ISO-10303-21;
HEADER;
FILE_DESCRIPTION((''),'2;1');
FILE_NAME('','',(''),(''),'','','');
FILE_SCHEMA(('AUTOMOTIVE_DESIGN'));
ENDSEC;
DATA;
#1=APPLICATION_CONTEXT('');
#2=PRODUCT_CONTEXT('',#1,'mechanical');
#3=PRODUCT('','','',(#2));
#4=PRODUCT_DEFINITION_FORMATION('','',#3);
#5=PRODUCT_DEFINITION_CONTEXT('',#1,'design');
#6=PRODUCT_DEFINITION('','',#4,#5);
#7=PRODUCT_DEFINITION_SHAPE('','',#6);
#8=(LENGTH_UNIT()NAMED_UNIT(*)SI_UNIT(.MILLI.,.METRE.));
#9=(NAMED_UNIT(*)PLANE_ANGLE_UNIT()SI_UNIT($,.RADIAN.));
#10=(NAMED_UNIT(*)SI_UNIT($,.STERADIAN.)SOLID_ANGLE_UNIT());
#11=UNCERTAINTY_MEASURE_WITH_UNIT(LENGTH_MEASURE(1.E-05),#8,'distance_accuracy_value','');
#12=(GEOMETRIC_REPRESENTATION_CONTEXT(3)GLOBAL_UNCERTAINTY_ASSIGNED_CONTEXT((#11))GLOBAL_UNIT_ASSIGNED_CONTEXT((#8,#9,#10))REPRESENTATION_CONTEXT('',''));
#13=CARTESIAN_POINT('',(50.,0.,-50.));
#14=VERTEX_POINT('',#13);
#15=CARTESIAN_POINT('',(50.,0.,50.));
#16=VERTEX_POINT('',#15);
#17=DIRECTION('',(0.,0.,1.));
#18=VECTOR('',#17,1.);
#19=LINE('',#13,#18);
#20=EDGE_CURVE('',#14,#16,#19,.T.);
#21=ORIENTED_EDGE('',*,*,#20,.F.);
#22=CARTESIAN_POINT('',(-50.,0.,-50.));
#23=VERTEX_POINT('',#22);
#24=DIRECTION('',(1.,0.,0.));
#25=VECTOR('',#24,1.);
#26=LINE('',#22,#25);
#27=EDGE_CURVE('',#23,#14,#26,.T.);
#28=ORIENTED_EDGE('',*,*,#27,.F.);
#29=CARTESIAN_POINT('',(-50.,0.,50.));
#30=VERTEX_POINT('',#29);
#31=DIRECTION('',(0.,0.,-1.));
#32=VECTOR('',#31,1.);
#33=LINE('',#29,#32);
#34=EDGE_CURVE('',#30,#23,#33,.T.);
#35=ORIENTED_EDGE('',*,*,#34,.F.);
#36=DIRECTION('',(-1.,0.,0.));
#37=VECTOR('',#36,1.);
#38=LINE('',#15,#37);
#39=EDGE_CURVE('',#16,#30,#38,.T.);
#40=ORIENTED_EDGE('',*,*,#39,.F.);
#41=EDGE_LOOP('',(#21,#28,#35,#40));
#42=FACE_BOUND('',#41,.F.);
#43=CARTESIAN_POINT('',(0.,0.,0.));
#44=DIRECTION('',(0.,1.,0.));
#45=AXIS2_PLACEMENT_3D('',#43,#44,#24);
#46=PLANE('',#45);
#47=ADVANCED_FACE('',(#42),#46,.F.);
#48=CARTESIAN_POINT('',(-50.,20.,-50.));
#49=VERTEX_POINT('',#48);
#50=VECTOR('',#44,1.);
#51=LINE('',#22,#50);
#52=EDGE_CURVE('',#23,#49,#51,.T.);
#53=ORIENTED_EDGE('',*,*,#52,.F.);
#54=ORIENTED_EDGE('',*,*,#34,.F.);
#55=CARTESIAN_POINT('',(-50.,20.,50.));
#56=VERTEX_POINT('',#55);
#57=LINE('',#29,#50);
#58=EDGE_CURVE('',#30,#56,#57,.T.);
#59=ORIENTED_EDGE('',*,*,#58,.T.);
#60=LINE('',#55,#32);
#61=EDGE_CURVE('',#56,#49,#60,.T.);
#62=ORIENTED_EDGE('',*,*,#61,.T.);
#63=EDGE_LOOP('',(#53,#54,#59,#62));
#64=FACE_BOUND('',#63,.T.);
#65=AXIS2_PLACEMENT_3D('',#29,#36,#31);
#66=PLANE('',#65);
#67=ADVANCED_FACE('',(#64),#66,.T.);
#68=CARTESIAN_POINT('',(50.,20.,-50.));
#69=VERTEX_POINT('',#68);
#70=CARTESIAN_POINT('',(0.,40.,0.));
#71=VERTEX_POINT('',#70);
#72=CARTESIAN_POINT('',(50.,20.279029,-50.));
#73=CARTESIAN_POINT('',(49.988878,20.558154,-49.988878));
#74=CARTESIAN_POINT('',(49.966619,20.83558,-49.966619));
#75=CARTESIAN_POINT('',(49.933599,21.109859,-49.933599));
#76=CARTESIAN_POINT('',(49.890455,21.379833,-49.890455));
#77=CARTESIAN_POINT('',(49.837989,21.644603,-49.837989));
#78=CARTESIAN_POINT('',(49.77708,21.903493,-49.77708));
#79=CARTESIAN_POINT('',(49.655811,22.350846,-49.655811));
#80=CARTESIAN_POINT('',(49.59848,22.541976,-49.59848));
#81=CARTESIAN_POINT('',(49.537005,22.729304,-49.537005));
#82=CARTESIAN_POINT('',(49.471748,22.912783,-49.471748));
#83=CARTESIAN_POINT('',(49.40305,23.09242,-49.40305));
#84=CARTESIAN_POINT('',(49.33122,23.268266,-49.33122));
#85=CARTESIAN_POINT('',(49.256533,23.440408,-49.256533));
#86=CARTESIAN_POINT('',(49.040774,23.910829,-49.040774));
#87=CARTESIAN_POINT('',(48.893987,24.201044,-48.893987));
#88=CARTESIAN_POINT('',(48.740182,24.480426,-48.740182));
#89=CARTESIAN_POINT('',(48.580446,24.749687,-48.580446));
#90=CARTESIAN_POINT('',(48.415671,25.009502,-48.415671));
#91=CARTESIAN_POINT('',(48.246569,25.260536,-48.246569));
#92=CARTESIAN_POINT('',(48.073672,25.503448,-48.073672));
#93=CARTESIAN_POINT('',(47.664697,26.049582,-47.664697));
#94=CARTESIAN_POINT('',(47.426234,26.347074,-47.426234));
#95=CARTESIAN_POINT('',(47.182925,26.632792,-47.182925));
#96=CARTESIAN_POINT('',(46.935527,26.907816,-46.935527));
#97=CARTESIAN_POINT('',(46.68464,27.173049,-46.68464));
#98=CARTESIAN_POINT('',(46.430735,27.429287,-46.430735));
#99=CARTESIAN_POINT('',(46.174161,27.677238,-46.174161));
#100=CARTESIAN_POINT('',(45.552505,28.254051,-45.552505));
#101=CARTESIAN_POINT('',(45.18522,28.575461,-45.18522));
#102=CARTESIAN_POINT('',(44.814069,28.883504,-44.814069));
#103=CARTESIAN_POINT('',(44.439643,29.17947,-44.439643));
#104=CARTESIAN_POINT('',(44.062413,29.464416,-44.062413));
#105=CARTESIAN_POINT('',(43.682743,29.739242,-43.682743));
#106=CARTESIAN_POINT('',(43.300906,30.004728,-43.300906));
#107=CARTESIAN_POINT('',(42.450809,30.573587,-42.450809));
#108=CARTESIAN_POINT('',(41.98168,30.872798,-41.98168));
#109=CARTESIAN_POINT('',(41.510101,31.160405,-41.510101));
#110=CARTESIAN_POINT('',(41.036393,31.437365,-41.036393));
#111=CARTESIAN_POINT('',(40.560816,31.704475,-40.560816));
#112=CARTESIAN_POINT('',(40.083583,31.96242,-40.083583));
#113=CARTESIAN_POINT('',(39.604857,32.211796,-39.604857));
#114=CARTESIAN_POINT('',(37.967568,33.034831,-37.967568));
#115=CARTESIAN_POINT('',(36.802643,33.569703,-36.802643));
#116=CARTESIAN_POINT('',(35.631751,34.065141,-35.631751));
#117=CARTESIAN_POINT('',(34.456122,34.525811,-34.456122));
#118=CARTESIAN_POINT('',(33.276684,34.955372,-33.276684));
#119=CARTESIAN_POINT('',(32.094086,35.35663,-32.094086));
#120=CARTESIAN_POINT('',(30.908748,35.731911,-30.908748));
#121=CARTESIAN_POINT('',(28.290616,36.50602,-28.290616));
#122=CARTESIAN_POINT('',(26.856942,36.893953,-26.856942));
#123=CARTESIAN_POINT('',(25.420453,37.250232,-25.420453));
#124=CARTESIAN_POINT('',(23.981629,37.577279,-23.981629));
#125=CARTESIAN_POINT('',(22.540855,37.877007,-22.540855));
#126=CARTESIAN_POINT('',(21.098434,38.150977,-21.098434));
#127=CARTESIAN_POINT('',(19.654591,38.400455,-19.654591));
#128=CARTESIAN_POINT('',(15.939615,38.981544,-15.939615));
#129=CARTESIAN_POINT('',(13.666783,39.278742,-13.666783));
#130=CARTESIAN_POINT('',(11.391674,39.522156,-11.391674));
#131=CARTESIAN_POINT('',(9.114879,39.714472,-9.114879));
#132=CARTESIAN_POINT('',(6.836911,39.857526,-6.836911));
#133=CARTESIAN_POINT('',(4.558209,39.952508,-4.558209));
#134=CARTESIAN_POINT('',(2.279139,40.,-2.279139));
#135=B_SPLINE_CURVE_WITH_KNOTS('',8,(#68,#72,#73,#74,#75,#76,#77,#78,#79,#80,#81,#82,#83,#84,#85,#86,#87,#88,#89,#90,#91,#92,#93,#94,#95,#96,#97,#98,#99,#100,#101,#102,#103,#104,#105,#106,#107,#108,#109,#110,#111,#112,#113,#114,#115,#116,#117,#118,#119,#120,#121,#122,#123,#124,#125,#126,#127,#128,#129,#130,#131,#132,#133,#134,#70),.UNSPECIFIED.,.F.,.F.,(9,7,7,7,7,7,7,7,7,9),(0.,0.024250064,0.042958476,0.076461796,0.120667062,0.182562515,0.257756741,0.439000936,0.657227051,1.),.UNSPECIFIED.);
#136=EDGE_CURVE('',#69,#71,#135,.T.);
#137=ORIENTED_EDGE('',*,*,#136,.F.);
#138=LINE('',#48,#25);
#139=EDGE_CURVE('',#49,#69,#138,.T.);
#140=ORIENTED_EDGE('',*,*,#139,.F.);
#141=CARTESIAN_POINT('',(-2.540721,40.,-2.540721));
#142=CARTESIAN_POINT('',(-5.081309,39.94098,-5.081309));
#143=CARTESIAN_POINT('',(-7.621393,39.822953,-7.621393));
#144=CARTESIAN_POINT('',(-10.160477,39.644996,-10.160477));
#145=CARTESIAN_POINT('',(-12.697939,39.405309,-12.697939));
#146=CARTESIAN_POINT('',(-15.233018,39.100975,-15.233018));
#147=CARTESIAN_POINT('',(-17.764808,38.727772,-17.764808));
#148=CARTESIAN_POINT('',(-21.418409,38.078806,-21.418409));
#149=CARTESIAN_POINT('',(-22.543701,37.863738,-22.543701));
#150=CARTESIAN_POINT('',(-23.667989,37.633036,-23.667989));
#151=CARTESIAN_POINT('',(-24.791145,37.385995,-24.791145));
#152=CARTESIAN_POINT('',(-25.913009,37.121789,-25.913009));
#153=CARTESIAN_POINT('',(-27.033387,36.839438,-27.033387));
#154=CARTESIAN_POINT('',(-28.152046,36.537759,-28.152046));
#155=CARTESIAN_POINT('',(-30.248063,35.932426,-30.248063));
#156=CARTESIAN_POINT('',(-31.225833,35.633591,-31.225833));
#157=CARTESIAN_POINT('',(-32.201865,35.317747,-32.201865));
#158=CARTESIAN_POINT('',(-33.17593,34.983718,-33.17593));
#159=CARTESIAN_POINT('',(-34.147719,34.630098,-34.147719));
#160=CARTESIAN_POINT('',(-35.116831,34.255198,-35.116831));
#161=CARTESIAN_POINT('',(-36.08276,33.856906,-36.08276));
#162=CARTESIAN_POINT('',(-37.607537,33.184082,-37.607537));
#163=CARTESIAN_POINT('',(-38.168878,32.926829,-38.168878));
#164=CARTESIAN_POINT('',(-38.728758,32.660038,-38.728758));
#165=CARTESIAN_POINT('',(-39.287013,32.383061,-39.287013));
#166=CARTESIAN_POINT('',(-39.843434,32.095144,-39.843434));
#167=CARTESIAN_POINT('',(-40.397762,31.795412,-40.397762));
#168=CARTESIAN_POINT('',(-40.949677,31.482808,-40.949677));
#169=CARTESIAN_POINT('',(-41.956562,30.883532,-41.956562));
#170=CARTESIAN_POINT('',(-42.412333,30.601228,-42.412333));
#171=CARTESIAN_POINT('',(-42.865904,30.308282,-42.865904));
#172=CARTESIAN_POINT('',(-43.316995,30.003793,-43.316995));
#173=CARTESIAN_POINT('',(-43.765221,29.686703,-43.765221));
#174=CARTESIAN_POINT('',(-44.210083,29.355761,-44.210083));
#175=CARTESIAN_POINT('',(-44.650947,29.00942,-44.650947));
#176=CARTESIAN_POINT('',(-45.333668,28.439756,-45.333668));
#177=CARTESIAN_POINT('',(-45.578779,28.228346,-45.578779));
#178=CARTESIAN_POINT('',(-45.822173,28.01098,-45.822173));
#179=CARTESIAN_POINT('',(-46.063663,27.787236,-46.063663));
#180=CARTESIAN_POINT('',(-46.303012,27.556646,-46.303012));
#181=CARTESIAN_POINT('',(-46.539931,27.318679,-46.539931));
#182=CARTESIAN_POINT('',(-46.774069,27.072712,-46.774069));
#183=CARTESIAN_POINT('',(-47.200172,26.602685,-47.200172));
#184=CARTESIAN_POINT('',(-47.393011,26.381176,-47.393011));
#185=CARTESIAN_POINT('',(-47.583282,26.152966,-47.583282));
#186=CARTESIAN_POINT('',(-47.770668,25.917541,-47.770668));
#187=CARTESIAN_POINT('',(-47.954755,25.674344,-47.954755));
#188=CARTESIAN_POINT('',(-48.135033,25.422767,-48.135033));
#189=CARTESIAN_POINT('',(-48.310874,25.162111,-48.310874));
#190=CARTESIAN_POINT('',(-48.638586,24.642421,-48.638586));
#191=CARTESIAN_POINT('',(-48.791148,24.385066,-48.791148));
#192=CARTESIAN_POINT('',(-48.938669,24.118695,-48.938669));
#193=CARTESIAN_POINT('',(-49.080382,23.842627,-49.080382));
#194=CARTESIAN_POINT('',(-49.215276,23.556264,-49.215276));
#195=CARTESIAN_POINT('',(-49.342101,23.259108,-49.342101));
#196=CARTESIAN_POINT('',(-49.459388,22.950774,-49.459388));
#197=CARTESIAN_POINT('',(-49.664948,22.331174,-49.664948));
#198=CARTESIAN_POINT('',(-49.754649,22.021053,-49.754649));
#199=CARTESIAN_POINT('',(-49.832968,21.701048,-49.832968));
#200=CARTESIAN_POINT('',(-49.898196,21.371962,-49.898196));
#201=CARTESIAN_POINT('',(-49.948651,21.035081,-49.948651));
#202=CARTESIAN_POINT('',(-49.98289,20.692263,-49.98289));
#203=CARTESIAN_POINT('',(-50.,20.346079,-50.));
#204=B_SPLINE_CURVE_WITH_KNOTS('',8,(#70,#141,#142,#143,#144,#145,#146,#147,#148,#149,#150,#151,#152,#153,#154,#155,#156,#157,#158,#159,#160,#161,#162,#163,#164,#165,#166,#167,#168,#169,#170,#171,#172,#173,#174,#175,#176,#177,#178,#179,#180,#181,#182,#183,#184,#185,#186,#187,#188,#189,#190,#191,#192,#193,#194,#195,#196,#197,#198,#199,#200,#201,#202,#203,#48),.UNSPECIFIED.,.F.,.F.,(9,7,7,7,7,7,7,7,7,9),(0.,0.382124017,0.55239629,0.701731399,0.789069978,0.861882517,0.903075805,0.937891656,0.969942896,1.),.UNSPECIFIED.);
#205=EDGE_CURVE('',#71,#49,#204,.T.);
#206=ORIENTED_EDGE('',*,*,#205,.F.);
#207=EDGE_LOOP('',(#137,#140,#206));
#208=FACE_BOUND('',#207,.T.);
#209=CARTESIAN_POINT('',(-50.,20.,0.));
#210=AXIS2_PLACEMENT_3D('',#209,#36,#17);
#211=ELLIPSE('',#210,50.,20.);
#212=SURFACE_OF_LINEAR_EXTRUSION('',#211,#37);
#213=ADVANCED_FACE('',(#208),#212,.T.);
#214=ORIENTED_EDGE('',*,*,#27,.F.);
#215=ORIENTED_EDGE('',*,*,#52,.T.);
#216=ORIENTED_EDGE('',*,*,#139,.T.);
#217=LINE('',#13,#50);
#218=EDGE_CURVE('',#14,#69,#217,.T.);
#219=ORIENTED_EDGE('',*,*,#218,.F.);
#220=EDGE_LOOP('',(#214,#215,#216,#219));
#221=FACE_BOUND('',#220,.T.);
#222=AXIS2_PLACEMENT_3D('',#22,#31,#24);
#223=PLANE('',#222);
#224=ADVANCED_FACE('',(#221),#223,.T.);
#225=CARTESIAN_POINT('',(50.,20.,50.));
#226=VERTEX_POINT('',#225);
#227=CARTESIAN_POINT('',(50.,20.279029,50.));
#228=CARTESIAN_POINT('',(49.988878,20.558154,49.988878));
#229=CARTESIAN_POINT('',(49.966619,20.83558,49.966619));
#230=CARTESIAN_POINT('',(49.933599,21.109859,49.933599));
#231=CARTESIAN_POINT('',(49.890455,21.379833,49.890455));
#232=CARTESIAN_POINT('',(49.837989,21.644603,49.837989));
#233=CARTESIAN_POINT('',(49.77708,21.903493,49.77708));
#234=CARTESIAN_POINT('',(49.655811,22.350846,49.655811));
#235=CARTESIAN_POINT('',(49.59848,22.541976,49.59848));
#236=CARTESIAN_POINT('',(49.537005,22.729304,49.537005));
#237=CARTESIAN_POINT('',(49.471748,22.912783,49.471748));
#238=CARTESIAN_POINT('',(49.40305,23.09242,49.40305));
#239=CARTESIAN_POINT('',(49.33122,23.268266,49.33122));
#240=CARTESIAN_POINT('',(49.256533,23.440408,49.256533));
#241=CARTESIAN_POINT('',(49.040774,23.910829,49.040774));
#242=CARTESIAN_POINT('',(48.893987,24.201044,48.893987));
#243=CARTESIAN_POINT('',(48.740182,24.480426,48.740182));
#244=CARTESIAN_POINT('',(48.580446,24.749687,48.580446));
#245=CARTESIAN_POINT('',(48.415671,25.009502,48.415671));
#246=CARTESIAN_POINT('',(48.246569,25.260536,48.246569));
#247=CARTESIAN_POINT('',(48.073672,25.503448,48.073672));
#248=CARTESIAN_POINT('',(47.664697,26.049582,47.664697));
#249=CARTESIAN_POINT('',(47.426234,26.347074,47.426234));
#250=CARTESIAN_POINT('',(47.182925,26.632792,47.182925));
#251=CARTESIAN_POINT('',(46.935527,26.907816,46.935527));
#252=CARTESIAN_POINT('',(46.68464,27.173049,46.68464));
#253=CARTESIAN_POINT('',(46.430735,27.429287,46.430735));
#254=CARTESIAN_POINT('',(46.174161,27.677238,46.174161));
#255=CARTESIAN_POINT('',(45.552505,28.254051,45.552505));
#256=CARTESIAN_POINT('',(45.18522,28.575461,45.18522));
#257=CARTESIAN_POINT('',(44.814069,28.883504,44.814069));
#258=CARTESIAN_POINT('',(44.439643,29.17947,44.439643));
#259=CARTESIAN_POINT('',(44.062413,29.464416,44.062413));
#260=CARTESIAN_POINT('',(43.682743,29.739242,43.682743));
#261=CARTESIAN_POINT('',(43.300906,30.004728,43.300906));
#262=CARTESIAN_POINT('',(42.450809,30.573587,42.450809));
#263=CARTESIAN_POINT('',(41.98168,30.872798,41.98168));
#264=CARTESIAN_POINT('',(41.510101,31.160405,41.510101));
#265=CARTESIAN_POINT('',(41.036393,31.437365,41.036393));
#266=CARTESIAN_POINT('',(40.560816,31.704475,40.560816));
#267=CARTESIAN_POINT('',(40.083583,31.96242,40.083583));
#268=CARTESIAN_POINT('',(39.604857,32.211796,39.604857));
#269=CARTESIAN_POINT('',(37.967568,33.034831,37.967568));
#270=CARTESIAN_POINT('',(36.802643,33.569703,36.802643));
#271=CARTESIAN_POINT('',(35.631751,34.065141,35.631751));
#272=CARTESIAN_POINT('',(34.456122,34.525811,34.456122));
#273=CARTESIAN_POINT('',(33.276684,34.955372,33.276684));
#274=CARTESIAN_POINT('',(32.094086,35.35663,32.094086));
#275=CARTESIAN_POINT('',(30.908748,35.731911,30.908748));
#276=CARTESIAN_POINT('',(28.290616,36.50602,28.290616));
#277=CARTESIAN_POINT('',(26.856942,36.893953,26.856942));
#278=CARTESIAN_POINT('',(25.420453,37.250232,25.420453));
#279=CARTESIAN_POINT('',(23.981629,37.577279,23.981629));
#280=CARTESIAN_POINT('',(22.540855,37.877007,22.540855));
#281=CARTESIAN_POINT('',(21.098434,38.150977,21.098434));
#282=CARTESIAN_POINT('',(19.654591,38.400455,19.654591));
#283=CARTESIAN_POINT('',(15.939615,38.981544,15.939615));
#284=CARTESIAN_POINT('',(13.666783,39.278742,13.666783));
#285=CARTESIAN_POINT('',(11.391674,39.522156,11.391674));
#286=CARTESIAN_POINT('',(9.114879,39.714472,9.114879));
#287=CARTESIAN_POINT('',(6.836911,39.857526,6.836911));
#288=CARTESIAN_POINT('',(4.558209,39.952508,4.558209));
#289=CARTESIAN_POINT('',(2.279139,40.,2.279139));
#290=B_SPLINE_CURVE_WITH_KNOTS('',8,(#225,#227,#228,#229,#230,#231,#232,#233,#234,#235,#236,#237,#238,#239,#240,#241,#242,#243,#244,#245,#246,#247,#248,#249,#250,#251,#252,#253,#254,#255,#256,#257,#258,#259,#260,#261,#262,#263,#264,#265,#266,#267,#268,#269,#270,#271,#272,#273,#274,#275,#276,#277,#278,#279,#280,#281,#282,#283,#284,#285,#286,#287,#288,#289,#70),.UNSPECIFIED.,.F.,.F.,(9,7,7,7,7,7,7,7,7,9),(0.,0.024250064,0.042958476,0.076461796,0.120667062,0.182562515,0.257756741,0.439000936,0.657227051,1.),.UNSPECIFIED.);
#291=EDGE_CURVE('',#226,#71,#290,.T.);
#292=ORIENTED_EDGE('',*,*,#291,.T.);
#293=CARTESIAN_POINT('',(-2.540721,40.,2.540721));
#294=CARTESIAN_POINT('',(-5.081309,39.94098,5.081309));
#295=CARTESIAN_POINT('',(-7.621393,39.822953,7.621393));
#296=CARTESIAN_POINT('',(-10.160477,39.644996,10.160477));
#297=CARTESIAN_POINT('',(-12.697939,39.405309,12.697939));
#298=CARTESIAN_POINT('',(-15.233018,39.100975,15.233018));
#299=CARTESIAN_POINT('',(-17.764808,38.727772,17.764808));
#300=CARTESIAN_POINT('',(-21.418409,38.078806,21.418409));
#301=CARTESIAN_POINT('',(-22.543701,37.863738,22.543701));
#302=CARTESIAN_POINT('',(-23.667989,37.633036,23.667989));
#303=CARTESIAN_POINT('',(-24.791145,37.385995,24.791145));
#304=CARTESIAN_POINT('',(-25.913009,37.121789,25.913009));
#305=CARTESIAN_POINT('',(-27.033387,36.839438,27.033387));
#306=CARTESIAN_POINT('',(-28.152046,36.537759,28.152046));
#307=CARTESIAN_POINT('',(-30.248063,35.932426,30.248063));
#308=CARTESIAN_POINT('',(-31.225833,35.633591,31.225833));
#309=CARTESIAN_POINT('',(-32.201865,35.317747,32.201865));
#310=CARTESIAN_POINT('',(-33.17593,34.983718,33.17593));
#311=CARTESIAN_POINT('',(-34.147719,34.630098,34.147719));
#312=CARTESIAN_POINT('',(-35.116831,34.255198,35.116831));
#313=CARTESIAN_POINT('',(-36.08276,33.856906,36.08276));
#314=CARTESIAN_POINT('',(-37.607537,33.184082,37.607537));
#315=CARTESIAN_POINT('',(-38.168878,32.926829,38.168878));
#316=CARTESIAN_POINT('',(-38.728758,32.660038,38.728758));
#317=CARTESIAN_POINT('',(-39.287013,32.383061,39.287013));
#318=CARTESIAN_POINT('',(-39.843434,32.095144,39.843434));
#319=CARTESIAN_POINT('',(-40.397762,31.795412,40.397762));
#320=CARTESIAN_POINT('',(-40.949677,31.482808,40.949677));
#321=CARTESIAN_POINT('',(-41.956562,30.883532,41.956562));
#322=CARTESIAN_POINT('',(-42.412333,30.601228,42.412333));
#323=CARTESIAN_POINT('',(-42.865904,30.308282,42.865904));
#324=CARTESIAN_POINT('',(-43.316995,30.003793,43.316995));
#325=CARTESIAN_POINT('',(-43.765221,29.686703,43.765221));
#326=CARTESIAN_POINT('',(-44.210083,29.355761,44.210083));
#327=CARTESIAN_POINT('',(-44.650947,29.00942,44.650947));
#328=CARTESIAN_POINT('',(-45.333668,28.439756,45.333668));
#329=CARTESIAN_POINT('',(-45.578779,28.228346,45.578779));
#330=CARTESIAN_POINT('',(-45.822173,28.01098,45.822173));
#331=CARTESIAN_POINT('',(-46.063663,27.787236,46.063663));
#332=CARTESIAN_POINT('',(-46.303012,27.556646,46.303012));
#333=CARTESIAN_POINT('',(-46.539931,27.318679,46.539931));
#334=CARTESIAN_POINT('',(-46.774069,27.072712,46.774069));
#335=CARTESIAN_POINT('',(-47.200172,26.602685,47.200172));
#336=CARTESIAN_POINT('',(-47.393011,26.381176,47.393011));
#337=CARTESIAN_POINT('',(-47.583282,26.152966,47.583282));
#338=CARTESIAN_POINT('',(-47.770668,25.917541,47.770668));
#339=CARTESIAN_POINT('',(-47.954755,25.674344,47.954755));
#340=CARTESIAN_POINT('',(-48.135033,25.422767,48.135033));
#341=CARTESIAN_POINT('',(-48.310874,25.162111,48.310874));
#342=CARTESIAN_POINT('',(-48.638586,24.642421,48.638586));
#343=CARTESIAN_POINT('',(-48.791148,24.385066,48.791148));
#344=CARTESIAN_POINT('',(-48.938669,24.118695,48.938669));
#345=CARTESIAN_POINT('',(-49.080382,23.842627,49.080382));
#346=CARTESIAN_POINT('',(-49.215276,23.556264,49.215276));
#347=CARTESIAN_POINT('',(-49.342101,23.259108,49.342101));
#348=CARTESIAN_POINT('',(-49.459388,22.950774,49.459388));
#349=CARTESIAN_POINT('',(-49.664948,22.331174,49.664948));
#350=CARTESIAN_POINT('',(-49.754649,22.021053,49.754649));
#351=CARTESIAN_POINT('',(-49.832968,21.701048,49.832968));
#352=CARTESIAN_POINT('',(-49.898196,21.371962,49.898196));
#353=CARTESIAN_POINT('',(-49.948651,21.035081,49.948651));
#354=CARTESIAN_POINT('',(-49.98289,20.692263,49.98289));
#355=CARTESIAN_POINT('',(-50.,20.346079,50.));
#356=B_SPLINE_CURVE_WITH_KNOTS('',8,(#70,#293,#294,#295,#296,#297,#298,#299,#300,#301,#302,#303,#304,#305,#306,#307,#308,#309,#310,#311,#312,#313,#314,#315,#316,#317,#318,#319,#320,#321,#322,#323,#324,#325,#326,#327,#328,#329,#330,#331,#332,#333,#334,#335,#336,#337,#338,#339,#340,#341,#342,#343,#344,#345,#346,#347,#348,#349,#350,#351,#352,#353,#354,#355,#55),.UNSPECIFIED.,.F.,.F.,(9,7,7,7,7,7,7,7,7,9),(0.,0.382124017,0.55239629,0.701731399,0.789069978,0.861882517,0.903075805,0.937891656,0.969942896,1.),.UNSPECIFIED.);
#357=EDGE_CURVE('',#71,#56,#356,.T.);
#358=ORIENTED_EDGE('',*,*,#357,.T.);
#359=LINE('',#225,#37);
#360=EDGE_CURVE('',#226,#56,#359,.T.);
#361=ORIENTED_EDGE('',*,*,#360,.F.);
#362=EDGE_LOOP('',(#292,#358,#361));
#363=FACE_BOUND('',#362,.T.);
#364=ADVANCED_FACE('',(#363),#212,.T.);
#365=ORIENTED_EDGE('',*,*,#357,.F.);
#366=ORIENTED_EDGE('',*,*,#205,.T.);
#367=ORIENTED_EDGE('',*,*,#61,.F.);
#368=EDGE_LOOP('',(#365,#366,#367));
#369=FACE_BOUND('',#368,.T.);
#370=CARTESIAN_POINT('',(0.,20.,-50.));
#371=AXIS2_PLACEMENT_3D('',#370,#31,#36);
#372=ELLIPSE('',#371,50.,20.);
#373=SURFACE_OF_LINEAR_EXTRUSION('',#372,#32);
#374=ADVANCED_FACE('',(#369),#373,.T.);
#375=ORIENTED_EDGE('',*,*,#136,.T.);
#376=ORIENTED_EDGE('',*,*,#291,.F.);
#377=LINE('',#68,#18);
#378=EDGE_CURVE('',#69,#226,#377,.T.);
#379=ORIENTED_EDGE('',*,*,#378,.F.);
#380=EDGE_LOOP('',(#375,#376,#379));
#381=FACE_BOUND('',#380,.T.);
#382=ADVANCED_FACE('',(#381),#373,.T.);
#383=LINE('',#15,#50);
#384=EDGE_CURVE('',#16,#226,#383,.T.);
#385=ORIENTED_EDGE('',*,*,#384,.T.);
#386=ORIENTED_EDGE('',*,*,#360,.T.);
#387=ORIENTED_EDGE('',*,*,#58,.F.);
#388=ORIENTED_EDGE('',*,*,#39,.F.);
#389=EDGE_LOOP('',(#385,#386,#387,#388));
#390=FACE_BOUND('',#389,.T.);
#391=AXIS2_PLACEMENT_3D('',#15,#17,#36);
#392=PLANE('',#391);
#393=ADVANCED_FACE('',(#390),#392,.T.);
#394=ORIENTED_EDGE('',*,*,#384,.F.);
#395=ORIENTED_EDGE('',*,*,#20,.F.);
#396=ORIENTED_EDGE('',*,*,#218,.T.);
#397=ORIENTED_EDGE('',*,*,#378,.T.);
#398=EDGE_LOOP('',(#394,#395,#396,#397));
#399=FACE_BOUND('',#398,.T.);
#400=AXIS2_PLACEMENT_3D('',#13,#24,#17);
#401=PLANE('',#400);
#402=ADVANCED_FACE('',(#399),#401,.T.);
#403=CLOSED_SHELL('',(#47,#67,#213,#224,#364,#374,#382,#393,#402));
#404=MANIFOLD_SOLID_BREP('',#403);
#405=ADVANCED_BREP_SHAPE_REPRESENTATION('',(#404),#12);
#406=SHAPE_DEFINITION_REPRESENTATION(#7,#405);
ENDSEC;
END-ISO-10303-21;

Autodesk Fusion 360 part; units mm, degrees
sketch "Sketch1" plane through (0, 0, 0) normal (0, 1, 0) x (1, 0, 0)
  line L0 (50, -50) -> (-50, -50)
  line L1 (-50, -50) -> (-50, 50)
  line L2 (-50, 50) -> (50, 50)
  line L3 (50, 50) -> (50, -50)
  line L4 (50, -50) -> (-50, 50) construction
  line L5 (-50, -50) -> (50, 50) construction
  dimension "d1" = 100
  dimension "d2" = 100
extrude "Extrude1" add sketch "Sketch1" along normal blind 20 makes body 1
sketch "Sketch2" plane through (0, 0, -50) normal (0, 0, -1) x (-1, 0, 0)
  line L0 (-50, 0) -> (50, 0)
  line L1 (50, 0) -> (50, 20)
  line L2 (50, 20) -> (-50, 20)
  line L3 (-50, 20) -> (-50, 0)
  ellipse E0 centre (0, 20) end of major axis (50, 20) minor radius 20
  line L4 (-50, 20) -> (50, 20)
  line L5 (0, 0) -> (0, 40)
  dimension "d5" = 40
extrude "Extrude2" add sketch "Sketch2" against normal blind 100 separate body contours L2 E0 L4 L5 | L2 E0 L4 L5 picked at (-29.3498, 24.3251) picked at (27.8267, 24.9515) makes body 2
sketch "Sketch3" plane through (-50, 0, 0) normal (-1, 0, 0) x (0, 0, 1)
  line L0 (-50, 0) -> (50, 0)
  line L1 (50, 0) -> (50, 20)
  line L2 (50, 20) -> (-50, 20)
  line L3 (-50, 20) -> (-50, 0)
  ellipse E0 centre (0, 20) end of major axis (50, 20) minor radius 20
  line L4 (-50, 20) -> (50, 20)
  line L5 (0, 0) -> (0, 40)
  dimension "d8" = 40
extrude "Extrude3" add sketch "Sketch3" against normal blind 100 separate body contours L2 E0 L4 L5 | L2 E0 L4 L5 picked at (-29.3498, 24.3251) picked at (27.8267, 24.9515) makes body 3
sketch "Sketch4" plane through (0, 0, 0) normal (0, -1, 0) x (1, 0, 0)
  line L0 (-50, -50) -> (50, -50)
  line L1 (50, -50) -> (50, 50)
  line L2 (50, 50) -> (-50, 50)
  line L3 (-50, 50) -> (-50, -50)
  line L4 (50, 50) -> (-50, -50)
  line L5 (-50, 50) -> (50, -50)
extrude "Extrude4" cut sketch "Sketch4" along normal blind -20 and the other way blind 40 contours L0 L4 L5 | L2 L4 L5 bodies 2
extrude "Extrude5" cut sketch "Sketch4" along normal blind -20 and the other way blind 40 contours L3 L4 L5 | L1 L4 L5 bodies 3
combine "Combine1" operation add target body 1 tool bodies 2 3
